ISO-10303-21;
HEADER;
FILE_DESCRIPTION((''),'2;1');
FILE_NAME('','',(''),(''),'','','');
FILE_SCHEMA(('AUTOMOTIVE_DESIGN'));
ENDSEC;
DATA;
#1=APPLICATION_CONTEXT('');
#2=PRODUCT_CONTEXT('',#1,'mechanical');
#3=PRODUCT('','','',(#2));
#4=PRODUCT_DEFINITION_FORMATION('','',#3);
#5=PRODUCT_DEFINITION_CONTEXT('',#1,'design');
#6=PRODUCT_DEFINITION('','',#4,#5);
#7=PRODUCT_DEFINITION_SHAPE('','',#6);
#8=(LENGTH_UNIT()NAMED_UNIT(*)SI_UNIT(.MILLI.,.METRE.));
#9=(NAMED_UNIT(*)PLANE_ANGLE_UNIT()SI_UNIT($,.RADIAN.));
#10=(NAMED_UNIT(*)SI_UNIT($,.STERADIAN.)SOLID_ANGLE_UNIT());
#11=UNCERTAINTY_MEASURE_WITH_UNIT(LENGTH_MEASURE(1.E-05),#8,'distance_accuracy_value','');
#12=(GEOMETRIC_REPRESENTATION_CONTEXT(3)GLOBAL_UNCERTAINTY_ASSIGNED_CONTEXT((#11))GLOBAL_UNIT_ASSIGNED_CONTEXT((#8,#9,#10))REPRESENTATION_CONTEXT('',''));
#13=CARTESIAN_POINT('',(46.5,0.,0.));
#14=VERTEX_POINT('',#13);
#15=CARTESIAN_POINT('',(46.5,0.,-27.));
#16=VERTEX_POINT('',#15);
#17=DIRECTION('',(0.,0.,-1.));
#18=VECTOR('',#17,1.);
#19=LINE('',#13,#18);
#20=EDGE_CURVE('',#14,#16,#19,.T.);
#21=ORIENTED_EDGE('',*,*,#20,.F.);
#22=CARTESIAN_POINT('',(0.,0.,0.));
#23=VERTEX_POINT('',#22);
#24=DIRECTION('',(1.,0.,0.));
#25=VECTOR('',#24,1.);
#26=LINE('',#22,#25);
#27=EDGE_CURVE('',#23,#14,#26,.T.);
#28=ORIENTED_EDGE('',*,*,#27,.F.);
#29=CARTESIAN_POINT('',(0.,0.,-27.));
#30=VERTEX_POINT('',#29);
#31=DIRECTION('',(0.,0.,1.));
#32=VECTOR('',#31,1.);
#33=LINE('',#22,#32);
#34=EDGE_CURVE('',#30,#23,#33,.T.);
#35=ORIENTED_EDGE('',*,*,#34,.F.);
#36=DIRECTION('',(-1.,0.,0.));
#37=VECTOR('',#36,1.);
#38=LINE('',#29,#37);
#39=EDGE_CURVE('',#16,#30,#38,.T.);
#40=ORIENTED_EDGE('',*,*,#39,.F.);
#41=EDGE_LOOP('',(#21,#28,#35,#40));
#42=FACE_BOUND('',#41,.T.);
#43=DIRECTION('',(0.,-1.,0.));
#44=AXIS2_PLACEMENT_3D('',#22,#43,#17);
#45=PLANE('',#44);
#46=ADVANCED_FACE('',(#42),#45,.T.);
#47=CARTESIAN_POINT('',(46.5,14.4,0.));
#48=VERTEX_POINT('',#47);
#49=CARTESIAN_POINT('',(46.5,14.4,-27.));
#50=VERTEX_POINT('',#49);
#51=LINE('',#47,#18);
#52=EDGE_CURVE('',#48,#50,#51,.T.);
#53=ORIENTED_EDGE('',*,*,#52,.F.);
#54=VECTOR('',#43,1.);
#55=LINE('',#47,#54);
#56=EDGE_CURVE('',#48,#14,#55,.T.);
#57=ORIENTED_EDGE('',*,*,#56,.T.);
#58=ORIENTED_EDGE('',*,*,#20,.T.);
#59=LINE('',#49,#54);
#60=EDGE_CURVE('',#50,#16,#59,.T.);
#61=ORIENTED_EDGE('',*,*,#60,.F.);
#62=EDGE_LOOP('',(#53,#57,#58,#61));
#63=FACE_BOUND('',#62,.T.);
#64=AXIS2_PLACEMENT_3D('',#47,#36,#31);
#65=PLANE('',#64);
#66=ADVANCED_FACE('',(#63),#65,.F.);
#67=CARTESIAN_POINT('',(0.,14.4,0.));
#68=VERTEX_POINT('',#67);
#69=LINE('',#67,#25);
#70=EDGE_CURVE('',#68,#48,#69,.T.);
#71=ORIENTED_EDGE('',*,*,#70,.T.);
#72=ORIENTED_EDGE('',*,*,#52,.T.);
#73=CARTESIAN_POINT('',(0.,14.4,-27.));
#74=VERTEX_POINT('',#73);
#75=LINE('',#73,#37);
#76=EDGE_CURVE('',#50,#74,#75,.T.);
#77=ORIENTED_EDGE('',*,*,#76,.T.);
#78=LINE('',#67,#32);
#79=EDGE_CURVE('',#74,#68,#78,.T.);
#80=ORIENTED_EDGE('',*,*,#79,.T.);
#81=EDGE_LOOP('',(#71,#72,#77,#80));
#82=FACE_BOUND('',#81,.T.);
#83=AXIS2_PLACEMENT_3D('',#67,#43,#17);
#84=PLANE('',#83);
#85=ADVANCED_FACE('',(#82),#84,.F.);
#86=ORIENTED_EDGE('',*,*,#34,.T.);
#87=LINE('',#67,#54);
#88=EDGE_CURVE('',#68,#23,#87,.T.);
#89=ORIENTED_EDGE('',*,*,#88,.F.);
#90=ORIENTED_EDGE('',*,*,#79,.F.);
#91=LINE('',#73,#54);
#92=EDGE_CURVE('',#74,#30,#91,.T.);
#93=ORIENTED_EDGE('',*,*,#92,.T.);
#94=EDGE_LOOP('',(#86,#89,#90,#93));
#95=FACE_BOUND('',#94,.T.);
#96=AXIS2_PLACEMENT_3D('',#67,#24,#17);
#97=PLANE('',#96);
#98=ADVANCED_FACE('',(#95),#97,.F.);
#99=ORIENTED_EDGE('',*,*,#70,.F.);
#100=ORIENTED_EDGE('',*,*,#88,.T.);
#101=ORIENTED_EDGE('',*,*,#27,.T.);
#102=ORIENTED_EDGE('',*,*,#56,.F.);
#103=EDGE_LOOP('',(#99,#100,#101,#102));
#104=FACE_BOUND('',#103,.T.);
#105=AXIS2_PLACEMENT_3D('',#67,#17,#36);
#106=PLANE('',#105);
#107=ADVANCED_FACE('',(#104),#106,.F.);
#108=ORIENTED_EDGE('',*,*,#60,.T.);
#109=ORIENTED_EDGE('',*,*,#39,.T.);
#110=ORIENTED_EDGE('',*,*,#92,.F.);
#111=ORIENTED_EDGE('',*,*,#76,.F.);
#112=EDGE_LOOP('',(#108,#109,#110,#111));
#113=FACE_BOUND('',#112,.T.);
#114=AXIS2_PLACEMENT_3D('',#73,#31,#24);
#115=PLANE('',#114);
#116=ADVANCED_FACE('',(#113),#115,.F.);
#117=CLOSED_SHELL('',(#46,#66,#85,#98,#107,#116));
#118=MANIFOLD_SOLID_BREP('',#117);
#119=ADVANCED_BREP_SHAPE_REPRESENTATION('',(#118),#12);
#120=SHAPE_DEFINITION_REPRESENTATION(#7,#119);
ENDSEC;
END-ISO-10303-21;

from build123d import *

# Parameters (mm, degrees)
SKETCH_1_W      = 46.5
SKETCH_1_H      = 27
EXTRUDE_1_DEPTH = 14.4


with BuildPart() as part:
    # 스케치1 → 보스-돌출1 (new body)
    with BuildSketch(Plane(origin=(0, 0, 0), x_dir=(1, 0, 0), z_dir=(0, 1, 0))):
        with Locations((23.25, 13.5)):
            Rectangle(SKETCH_1_W, SKETCH_1_H)
    extrude(amount=EXTRUDE_1_DEPTH)


solid = part.part
